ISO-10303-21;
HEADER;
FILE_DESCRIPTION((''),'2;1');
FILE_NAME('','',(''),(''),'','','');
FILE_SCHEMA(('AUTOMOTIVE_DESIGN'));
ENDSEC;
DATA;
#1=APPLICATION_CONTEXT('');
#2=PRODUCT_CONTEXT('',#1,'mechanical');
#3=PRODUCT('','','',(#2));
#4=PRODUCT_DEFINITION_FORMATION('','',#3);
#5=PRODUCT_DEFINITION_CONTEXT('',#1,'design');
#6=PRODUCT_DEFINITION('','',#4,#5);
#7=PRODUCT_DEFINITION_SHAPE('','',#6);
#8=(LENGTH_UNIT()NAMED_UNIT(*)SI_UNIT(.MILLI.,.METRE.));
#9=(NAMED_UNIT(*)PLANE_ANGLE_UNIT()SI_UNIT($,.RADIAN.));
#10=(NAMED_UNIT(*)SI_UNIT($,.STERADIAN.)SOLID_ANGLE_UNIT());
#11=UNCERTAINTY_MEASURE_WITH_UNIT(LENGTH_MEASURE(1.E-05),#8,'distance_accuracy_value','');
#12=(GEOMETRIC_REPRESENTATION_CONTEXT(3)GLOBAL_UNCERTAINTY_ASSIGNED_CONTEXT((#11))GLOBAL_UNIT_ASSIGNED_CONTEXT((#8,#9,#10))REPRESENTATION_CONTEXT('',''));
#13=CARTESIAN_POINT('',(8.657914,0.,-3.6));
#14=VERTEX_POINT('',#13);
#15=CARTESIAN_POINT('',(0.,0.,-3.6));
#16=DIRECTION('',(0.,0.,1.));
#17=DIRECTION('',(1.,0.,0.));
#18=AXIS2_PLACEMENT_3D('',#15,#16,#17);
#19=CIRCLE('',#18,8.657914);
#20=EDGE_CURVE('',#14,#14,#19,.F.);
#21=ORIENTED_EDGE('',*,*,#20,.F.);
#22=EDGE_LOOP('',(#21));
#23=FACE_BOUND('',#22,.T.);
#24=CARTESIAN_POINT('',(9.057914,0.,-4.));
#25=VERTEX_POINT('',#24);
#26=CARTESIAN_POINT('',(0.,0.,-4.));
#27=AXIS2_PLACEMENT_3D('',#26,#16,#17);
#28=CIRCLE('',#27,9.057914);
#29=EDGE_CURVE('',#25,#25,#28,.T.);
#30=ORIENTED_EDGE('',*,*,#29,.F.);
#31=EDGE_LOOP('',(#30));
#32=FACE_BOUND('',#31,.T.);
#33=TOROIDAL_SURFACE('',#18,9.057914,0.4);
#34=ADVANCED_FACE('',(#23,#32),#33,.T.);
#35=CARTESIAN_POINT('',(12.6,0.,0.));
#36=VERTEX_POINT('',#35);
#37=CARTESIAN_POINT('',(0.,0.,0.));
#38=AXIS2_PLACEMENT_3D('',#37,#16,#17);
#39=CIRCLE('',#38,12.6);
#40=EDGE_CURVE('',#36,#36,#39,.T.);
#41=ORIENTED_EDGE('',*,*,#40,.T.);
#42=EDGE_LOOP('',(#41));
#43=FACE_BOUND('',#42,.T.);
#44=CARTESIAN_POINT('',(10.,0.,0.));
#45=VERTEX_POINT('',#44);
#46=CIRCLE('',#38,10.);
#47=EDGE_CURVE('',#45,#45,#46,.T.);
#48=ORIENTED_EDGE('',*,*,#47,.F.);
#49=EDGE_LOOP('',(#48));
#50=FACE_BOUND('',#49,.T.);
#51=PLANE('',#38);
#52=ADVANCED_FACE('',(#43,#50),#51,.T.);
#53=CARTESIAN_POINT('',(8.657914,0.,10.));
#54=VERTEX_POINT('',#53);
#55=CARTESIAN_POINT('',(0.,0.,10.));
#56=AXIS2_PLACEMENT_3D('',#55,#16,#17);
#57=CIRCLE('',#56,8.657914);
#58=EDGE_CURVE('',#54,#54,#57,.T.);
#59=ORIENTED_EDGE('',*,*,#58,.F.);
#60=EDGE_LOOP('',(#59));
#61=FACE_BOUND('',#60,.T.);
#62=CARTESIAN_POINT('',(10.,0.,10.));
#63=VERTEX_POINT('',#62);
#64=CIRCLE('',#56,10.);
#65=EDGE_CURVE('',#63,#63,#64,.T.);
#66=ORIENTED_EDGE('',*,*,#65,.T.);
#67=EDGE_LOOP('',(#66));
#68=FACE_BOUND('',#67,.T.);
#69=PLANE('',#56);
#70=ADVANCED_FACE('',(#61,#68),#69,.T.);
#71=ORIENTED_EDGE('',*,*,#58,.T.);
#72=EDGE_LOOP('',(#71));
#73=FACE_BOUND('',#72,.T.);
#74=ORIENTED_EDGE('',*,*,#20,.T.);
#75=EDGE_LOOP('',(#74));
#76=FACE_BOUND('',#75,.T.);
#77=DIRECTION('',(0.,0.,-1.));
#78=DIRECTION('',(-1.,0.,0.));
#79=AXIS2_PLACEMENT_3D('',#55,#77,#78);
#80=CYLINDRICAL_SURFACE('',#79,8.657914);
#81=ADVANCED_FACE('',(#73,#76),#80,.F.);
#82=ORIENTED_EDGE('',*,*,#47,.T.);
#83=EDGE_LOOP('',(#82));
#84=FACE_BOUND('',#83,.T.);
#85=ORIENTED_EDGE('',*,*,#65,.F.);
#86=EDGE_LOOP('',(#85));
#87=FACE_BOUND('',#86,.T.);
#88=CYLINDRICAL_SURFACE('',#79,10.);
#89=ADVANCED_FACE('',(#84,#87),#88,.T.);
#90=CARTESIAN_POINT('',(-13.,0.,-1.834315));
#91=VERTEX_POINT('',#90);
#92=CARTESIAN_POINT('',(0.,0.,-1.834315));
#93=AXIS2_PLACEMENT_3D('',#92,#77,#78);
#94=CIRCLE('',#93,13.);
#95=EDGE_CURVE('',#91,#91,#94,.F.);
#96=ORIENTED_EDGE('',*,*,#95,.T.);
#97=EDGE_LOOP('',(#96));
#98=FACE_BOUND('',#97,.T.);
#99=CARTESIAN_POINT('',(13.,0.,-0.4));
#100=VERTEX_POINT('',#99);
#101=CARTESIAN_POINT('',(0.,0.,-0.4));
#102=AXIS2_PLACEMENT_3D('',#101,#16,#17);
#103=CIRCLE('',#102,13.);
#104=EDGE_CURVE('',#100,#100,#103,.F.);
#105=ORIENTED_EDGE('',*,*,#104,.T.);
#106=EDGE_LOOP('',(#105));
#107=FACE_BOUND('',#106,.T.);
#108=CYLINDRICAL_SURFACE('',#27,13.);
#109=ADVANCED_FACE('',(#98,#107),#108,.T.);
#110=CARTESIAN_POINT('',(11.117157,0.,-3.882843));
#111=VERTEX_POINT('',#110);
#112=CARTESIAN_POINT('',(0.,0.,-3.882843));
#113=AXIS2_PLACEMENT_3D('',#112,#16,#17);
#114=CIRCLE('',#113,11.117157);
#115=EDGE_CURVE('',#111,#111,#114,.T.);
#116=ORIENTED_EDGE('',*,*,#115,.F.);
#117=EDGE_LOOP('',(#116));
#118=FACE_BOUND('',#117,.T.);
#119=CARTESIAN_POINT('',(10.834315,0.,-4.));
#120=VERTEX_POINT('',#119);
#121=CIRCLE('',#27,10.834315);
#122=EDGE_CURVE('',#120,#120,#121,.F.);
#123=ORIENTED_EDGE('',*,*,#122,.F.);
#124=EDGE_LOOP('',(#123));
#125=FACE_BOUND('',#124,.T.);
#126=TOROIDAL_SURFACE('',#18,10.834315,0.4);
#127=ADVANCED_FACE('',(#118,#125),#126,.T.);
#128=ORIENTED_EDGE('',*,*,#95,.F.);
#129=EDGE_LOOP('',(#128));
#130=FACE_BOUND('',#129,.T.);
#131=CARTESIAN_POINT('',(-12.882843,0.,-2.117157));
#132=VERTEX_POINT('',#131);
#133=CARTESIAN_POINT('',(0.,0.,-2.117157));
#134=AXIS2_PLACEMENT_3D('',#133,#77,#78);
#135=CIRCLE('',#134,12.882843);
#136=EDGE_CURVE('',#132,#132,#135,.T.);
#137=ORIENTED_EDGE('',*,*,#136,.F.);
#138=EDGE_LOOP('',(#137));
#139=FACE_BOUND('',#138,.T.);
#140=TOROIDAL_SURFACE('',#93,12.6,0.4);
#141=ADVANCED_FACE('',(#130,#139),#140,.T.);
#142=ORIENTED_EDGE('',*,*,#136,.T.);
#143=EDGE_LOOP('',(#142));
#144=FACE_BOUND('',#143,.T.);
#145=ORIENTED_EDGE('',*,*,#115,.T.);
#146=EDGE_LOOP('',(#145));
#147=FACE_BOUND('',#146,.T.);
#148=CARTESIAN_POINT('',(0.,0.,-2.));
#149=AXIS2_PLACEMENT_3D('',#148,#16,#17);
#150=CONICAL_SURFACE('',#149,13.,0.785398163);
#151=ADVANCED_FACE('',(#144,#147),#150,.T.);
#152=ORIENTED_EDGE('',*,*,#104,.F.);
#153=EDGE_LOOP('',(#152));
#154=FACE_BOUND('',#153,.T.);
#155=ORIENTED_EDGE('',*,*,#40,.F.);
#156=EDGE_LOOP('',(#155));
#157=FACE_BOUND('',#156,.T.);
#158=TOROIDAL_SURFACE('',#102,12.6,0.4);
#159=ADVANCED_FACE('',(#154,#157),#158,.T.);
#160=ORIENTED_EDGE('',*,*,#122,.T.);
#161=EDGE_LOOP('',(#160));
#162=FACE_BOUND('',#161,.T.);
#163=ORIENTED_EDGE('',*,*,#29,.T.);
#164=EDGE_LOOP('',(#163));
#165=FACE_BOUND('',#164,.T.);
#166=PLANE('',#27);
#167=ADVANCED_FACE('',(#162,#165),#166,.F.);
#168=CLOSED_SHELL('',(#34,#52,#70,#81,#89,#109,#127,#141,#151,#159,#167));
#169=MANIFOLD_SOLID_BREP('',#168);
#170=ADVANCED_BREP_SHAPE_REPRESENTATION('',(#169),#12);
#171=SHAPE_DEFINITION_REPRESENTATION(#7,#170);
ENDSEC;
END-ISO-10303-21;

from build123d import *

# Parameters (mm, degrees)
SKETCH1_R           = 10
SKETCH1_R_2         = 8.657914019
BOSS_EXTRUDE1_DEPTH = 10
BOSS_EXTRUDE2_START = -4
SKETCH1_3_R         = 13
SKETCH1_3_R_2       = 8.657914019
BOSS_EXTRUDE2_DEPTH = 4
CHAMFER1_SIZE       = 2
FILLET1_R           = 0.4
FILLET2_R           = 0.4
FILLET3_R           = 0.4


with BuildPart() as part:
    # Sketch1 → Boss-Extrude1 (new body)
    with BuildSketch(Plane.XY):
        Circle(SKETCH1_R)
        Circle(SKETCH1_R_2, mode=Mode.SUBTRACT)
    extrude(amount=BOSS_EXTRUDE1_DEPTH)

    # Sketch1<3> → Boss-Extrude2 (add)
    with BuildSketch(Plane.XY.offset(BOSS_EXTRUDE2_START)):
        Circle(SKETCH1_3_R)
        Circle(SKETCH1_3_R_2, mode=Mode.SUBTRACT)
    extrude(amount=BOSS_EXTRUDE2_DEPTH)

    # Chamfer1
    chamfer1_edges = [part.edges().sort_by_distance(p)[0] for p in [
        (-13, 0, -4),
    ]]
    chamfer(chamfer1_edges, length=CHAMFER1_SIZE)

    # Fillet1
    fillet1_edges = [part.edges().sort_by_distance(p)[0] for p in [
        (-8.657914019, 0, -4),
    ]]
    fillet(fillet1_edges, radius=FILLET1_R)

    # Fillet2
    fillet2_edges = [part.edges().sort_by_distance(p)[0] for p in [
        (-13, 0, -2),
        (-11, 0, -4),
    ]]
    fillet(fillet2_edges, radius=FILLET2_R)

    # Fillet3
    fillet3_edges = [part.edges().sort_by_distance(p)[0] for p in [
        (-13, 0, 0),
    ]]
    fillet(fillet3_edges, radius=FILLET3_R)


solid = part.part
